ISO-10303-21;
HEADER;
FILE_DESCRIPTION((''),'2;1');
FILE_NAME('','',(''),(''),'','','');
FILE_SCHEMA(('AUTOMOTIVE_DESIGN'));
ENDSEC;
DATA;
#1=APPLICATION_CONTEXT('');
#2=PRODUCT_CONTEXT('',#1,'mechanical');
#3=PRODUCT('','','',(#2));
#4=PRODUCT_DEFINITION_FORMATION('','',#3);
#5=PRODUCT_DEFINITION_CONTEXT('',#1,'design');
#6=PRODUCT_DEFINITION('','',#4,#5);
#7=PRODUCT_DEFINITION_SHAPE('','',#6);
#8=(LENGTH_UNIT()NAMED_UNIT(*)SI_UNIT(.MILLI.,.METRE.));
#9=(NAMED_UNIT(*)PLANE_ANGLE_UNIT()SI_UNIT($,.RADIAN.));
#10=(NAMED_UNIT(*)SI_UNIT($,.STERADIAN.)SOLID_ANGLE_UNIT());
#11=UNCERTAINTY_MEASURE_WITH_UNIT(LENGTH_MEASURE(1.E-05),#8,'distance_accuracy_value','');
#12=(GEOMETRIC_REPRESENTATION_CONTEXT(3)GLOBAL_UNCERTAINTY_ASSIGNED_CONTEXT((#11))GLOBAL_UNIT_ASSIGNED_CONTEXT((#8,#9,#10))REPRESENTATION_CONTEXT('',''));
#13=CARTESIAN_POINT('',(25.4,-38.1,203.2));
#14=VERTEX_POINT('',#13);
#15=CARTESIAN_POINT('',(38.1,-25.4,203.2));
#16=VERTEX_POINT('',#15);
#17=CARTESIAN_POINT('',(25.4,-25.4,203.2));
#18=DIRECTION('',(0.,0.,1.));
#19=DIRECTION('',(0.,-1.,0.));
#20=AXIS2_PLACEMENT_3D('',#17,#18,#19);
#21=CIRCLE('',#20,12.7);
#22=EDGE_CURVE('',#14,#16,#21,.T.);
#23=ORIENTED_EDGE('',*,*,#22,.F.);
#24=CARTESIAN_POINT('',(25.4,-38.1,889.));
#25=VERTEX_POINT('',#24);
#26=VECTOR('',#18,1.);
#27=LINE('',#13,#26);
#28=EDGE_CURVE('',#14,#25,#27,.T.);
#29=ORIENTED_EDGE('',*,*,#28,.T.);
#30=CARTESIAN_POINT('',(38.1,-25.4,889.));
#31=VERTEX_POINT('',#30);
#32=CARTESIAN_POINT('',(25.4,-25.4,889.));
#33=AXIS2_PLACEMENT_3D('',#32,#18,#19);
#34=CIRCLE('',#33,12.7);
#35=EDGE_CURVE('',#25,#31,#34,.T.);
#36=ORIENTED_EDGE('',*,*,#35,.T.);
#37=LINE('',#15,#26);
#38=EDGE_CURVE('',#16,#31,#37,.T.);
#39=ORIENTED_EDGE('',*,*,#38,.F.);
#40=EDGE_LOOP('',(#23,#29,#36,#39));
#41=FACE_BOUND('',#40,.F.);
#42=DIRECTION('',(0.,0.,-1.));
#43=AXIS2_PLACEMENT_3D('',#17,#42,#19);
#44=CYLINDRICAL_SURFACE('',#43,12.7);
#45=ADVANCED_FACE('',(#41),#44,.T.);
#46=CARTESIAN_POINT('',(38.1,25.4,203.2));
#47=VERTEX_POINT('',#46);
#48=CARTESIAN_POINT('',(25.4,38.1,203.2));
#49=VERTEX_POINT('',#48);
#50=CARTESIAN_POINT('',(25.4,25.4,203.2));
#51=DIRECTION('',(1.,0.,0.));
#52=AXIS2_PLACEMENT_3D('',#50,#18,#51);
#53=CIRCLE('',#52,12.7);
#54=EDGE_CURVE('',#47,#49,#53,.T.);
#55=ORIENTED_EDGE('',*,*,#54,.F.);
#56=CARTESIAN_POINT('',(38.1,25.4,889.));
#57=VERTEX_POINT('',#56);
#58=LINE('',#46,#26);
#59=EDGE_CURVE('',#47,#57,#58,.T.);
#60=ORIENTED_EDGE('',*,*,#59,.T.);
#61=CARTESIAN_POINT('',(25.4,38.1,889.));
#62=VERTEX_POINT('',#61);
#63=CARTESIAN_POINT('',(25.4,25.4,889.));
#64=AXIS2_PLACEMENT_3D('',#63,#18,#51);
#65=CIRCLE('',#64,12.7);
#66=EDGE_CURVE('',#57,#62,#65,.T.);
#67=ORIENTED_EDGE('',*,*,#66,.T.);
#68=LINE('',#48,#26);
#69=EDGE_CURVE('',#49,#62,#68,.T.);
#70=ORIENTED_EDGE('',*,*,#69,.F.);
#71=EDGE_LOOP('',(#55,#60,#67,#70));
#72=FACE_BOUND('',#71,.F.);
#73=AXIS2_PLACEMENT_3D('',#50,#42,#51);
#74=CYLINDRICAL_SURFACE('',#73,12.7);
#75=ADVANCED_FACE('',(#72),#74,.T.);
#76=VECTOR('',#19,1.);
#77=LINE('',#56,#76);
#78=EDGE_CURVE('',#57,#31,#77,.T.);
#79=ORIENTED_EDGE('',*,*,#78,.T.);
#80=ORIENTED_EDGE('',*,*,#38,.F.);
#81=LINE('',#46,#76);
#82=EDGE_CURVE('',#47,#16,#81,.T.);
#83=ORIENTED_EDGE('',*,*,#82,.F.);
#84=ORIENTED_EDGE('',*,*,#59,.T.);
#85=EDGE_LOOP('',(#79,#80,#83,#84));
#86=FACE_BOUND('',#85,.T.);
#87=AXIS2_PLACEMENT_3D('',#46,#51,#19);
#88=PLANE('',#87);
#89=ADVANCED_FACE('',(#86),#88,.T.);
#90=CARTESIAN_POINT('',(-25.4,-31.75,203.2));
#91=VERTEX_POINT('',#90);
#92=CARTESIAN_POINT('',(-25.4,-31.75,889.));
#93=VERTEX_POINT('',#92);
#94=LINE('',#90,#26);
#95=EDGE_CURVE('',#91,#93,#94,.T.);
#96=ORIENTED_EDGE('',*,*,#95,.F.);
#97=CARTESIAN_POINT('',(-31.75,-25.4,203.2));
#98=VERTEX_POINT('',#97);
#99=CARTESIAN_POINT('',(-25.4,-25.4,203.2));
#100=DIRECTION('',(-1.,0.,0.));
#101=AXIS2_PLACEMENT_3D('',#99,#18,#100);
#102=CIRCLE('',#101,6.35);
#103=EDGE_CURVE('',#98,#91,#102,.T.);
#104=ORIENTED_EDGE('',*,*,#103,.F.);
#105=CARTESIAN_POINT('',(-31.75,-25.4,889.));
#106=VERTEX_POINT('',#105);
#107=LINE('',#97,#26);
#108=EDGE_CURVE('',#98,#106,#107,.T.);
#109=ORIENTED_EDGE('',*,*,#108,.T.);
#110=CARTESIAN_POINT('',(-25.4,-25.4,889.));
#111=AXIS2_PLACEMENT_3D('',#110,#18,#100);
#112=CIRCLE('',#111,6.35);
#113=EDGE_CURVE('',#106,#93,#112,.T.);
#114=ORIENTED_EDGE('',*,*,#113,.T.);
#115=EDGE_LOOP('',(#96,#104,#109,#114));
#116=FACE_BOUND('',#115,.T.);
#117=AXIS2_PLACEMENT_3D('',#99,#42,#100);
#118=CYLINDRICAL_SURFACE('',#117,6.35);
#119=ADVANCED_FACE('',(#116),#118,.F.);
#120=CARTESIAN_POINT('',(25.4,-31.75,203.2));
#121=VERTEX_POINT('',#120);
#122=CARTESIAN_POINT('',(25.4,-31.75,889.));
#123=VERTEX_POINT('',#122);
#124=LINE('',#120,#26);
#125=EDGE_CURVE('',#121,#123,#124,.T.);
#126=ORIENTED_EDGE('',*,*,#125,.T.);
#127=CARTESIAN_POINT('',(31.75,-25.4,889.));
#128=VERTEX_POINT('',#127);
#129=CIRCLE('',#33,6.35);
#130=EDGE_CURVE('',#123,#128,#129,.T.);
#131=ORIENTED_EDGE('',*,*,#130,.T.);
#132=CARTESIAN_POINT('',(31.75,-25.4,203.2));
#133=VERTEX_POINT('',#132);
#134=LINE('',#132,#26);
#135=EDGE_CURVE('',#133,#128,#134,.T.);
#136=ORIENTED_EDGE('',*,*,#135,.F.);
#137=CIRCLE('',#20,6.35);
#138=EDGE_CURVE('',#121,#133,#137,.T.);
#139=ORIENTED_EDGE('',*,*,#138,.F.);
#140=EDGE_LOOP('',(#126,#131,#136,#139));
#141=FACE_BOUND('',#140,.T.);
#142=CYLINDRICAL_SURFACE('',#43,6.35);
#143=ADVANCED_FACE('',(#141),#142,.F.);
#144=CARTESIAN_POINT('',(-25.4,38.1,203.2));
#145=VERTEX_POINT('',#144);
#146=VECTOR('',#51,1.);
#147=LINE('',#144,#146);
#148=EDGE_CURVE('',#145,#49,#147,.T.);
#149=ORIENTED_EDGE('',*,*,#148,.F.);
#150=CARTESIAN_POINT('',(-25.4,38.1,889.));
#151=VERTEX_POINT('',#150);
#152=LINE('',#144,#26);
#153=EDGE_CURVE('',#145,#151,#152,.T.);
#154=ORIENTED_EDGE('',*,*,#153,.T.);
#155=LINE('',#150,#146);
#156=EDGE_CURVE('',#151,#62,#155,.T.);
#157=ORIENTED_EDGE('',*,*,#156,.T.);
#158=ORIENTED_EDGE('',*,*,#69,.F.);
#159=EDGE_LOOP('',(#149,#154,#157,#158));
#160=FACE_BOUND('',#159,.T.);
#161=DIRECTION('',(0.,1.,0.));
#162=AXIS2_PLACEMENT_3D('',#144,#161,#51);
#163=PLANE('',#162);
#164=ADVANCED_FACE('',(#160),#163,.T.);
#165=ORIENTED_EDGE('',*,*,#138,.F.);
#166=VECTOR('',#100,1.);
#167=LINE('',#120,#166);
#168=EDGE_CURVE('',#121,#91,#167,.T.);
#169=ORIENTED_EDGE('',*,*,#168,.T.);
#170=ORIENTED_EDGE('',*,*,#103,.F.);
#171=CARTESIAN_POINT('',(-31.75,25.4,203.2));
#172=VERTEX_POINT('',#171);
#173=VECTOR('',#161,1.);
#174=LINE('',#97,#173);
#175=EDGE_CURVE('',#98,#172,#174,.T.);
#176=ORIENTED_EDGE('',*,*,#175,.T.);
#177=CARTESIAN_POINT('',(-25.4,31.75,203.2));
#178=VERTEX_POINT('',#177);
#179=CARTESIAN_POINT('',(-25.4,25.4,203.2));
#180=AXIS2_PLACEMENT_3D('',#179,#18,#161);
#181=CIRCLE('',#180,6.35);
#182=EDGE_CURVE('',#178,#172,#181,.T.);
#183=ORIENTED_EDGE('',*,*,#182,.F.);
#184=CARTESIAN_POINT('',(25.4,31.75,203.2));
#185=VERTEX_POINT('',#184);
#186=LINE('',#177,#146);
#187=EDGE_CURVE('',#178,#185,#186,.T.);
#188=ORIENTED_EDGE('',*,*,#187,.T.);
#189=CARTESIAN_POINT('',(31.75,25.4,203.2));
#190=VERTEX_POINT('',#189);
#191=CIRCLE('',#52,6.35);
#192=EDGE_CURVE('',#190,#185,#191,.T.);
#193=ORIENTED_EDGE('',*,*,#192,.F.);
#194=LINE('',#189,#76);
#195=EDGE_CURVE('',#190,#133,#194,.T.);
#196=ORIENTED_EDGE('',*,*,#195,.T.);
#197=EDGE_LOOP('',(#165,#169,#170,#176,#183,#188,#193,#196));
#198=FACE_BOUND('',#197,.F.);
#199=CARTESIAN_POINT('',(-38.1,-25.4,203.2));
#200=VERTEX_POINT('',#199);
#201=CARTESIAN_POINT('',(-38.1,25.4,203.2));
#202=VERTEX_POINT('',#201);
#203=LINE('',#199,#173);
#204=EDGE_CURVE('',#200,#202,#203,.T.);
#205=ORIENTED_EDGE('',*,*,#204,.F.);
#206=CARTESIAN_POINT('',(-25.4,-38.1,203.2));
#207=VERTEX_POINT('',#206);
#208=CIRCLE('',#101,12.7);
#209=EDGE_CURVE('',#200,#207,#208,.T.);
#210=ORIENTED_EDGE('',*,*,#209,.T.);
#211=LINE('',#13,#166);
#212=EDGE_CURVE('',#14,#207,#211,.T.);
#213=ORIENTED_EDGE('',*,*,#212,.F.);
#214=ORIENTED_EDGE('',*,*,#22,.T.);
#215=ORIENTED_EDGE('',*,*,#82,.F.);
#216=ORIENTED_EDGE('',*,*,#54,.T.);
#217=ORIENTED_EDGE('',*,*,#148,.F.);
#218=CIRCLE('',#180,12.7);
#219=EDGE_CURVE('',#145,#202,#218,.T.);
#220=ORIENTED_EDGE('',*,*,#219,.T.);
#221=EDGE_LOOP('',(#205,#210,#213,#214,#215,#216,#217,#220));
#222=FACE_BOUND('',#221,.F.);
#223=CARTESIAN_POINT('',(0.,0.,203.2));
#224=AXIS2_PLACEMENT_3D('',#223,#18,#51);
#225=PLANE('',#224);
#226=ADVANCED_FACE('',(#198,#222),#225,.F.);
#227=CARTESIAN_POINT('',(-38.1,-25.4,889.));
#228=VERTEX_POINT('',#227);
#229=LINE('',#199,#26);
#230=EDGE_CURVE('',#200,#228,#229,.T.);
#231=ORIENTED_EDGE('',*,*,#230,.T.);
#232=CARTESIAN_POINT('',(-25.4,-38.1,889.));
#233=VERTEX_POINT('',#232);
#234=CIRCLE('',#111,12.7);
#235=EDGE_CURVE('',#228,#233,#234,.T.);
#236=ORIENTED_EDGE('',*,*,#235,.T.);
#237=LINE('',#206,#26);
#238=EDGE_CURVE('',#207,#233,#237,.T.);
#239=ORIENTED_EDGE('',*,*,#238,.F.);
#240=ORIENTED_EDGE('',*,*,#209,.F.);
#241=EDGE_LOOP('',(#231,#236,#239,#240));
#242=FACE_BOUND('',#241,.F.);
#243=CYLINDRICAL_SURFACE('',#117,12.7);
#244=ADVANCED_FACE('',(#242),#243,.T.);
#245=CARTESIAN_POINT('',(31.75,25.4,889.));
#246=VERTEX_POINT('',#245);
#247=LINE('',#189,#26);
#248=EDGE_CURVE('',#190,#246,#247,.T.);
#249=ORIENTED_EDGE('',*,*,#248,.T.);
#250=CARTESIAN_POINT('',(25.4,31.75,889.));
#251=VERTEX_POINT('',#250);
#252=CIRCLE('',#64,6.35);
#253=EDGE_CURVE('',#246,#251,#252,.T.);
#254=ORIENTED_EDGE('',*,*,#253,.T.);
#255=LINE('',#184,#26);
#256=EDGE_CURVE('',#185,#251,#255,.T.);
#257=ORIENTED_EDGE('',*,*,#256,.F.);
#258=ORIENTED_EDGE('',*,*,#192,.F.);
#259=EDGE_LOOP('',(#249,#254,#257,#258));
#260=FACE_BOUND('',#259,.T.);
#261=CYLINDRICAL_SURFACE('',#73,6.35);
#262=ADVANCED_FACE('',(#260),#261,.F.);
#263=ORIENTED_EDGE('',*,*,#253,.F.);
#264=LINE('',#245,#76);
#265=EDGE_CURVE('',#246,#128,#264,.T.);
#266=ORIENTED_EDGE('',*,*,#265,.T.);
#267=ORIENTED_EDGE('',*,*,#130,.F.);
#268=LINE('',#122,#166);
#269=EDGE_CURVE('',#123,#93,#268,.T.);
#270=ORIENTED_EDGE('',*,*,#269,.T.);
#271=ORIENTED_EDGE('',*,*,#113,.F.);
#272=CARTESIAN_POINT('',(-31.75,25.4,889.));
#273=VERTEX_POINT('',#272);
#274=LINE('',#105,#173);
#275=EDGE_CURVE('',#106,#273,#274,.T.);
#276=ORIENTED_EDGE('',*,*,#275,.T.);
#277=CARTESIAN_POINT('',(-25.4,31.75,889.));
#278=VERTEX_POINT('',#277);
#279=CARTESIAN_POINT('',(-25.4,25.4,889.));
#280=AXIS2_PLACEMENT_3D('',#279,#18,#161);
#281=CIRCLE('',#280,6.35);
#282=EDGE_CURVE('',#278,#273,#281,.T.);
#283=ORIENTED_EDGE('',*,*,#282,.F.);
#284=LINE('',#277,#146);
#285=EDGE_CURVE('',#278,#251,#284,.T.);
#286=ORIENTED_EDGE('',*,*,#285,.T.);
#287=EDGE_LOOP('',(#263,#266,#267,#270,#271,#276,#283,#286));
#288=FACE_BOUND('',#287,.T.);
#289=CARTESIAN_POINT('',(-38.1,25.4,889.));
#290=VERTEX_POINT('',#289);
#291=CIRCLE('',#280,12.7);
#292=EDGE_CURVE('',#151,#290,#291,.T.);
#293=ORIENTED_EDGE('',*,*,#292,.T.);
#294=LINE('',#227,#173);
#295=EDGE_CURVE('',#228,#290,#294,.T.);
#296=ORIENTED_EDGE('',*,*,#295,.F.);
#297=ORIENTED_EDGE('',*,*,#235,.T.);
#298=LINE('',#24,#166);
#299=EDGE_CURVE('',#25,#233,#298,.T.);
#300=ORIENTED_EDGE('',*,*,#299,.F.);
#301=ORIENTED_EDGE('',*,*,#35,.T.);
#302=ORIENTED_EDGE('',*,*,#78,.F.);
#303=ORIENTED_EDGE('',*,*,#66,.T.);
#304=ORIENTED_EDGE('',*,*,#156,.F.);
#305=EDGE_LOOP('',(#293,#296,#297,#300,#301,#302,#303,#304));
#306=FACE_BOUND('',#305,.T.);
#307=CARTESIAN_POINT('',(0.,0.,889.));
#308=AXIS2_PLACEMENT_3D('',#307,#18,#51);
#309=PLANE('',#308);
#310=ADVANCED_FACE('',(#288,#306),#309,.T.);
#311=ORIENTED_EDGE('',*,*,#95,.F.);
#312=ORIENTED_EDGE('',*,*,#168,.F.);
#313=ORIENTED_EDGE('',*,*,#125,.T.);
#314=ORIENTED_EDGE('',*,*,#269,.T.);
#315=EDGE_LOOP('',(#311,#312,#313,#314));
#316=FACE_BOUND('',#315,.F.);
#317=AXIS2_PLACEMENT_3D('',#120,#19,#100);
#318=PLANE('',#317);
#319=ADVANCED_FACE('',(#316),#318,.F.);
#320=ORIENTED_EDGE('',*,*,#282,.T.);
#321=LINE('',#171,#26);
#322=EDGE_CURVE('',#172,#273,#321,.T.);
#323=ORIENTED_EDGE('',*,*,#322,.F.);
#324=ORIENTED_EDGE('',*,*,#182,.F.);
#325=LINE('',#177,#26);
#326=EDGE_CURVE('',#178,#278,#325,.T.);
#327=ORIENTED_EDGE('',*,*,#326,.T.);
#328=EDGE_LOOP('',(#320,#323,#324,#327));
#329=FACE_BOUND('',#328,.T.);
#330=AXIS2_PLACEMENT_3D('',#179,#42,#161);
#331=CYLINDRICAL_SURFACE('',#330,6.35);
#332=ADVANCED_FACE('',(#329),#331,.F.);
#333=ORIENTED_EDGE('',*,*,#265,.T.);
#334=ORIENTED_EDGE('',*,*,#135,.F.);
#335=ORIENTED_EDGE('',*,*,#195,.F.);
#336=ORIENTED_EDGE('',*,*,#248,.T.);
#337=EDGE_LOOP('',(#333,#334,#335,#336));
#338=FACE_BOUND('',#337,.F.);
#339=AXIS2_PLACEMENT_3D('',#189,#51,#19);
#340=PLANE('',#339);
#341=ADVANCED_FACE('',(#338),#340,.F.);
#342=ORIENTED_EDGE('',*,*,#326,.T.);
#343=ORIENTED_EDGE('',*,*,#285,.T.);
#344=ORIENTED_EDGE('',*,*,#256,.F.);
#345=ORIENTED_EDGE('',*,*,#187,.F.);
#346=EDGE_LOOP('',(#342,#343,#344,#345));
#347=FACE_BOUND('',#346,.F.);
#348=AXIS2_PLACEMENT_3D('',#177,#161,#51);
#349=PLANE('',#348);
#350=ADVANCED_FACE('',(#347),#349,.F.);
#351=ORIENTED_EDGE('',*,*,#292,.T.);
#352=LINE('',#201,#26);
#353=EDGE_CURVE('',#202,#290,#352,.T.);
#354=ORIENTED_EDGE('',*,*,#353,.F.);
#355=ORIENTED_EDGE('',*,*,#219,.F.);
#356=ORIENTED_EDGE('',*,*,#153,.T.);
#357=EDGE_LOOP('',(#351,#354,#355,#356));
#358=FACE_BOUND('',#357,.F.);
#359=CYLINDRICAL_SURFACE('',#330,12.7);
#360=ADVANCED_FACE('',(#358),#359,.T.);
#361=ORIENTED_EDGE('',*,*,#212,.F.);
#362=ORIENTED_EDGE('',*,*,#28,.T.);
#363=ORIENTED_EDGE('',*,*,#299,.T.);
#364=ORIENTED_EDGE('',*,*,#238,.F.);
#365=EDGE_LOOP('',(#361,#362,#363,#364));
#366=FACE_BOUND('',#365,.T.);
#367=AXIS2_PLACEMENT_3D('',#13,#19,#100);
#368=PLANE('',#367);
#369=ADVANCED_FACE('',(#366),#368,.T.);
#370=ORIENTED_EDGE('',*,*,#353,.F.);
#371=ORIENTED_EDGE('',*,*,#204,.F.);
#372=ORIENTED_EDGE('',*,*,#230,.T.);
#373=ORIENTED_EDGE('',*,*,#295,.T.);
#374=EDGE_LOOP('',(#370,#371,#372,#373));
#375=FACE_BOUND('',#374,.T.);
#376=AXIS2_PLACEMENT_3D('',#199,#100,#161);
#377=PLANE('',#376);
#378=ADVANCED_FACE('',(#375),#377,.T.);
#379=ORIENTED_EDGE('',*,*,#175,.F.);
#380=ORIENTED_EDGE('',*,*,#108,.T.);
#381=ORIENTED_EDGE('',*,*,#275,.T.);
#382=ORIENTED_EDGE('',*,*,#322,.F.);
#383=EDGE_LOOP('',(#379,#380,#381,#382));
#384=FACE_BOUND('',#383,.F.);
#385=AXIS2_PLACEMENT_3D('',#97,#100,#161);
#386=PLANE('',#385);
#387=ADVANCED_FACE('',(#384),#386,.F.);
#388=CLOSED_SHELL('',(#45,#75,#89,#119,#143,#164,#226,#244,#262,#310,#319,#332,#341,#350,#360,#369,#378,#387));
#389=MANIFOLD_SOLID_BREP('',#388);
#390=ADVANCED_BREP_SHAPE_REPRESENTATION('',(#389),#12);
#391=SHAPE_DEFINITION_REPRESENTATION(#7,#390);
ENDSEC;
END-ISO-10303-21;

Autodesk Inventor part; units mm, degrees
ref_plane "Start plane" through (0, 0, 203.2) normal (0, 0, 1) x (1, 0, 0)
ref_plane "End plane" through (0, 0, 889) normal (0, 0, 1) x (1, 0, 0)
sketch "Sketch" plane through (0, 0, 0) normal (0, 0, 1) x (1, 0, 0)
  line L0 (-38.1, -25.4) -> (-38.1, 25.4)
  line L1 (-25.4, 38.1) -> (25.4, 38.1)
  line L2 (38.1, 25.4) -> (38.1, -25.4)
  line L3 (25.4, -38.1) -> (-25.4, -38.1)
  arc A0 (-38.1, -25.4) -> (-25.4, -38.1) centre (-25.4, -25.4) ccw
  arc A1 (-25.4, 38.1) -> (-38.1, 25.4) centre (-25.4, 25.4) ccw
  arc A2 (38.1, 25.4) -> (25.4, 38.1) centre (25.4, 25.4) ccw
  arc A3 (25.4, -38.1) -> (38.1, -25.4) centre (25.4, -25.4) ccw
  arc A4 (-25.4, 31.75) -> (-31.75, 25.4) centre (-25.4, 25.4) ccw
  line L4 (-25.4, 31.75) -> (25.4, 31.75)
  arc A5 (31.75, 25.4) -> (25.4, 31.75) centre (25.4, 25.4) ccw
  line L5 (31.75, 25.4) -> (31.75, -25.4)
  arc A6 (25.4, -31.75) -> (31.75, -25.4) centre (25.4, -25.4) ccw
  line L6 (25.4, -31.75) -> (-25.4, -31.75)
  arc A7 (-31.75, -25.4) -> (-25.4, -31.75) centre (-25.4, -25.4) ccw
  line L7 (-31.75, -25.4) -> (-31.75, 25.4)
  line L8 (0, 57.0224) -> (0, -57.0224) construction
  line L9 (-57.0224, 0) -> (57.0224, 0) construction
  dimension "d10" = 76.2
  dimension "d11" = 76.2
  dimension "d12" = 6.35
  dimension "d15" = 38.1
  dimension "d16" = 38.1
  dimension "d17" = 12.7
extrude "Body" add sketch "Sketch" along normal up to surface (685.8 mm away) from surface at 203.2
sketch "Sketch3" plane through (0, 0, 0) normal (0, 0, 1) x (1, 0, 0)
  line L0 (0, 0) -> (10, 0)
ref_plane "Work Plane3" through (0, 0, 0) normal (0, -1, 0) x (1, 0, 0)
sketch "Sketch4" plane through (0, 0, 0) normal (0, -1, 0) x (1, 0, 0)
  line L0 (-2, 203.2) -> (12, 203.2)
  line L1 (-2, 889) -> (12, 889)
  dimension "d19" = 685.8
ref_plane "Work Plane4" through (-2133.6, 25.4, 889) normal (0, 0, 1) x (1, 0, 0)
split "Split1" plane through (-2133.6, 25.4, 889) removes the side toward (0, 0, 1)
ref_plane "Work Plane5" through (-2133.6, -25.4, 203.2) normal (0, 0, -1) x (-1, 0, 0)
split "Split2" plane through (-2133.6, -25.4, 203.2) removes the side toward (0, 0, -1)
equation "\"d10\" = G_H"
equation "\"d11\" = G_W"
equation "\"d12\" = G_T"
equation "\"d15\" = 0.5 * d10"
equation "\"d16\" = 0.5 * d11"
equation "\"d17\" = G_IR"
equation "\"d3\" = G_L"
equation "\"G_W\" = 76.2"
equation "\"G_H\" = 76.2"
equation "\"G_T\" = 6.35"
equation "\"G_IR\" = 12.7"
equation "\"G_L\" = d19"
equation "\"G_OFFSET_START\" = -203.2"
equation "\"G_OFFSET_END\" = -203.2"
equation "\"d13\" = -G_OFFSET_START"
equation "\"d14\" = G_OFFSET_END + B_L"
equation "\"B_L\" = 1092.2"
properties part number "AISC - 3x3x1/4 - 27" material "Steel, Mild"
